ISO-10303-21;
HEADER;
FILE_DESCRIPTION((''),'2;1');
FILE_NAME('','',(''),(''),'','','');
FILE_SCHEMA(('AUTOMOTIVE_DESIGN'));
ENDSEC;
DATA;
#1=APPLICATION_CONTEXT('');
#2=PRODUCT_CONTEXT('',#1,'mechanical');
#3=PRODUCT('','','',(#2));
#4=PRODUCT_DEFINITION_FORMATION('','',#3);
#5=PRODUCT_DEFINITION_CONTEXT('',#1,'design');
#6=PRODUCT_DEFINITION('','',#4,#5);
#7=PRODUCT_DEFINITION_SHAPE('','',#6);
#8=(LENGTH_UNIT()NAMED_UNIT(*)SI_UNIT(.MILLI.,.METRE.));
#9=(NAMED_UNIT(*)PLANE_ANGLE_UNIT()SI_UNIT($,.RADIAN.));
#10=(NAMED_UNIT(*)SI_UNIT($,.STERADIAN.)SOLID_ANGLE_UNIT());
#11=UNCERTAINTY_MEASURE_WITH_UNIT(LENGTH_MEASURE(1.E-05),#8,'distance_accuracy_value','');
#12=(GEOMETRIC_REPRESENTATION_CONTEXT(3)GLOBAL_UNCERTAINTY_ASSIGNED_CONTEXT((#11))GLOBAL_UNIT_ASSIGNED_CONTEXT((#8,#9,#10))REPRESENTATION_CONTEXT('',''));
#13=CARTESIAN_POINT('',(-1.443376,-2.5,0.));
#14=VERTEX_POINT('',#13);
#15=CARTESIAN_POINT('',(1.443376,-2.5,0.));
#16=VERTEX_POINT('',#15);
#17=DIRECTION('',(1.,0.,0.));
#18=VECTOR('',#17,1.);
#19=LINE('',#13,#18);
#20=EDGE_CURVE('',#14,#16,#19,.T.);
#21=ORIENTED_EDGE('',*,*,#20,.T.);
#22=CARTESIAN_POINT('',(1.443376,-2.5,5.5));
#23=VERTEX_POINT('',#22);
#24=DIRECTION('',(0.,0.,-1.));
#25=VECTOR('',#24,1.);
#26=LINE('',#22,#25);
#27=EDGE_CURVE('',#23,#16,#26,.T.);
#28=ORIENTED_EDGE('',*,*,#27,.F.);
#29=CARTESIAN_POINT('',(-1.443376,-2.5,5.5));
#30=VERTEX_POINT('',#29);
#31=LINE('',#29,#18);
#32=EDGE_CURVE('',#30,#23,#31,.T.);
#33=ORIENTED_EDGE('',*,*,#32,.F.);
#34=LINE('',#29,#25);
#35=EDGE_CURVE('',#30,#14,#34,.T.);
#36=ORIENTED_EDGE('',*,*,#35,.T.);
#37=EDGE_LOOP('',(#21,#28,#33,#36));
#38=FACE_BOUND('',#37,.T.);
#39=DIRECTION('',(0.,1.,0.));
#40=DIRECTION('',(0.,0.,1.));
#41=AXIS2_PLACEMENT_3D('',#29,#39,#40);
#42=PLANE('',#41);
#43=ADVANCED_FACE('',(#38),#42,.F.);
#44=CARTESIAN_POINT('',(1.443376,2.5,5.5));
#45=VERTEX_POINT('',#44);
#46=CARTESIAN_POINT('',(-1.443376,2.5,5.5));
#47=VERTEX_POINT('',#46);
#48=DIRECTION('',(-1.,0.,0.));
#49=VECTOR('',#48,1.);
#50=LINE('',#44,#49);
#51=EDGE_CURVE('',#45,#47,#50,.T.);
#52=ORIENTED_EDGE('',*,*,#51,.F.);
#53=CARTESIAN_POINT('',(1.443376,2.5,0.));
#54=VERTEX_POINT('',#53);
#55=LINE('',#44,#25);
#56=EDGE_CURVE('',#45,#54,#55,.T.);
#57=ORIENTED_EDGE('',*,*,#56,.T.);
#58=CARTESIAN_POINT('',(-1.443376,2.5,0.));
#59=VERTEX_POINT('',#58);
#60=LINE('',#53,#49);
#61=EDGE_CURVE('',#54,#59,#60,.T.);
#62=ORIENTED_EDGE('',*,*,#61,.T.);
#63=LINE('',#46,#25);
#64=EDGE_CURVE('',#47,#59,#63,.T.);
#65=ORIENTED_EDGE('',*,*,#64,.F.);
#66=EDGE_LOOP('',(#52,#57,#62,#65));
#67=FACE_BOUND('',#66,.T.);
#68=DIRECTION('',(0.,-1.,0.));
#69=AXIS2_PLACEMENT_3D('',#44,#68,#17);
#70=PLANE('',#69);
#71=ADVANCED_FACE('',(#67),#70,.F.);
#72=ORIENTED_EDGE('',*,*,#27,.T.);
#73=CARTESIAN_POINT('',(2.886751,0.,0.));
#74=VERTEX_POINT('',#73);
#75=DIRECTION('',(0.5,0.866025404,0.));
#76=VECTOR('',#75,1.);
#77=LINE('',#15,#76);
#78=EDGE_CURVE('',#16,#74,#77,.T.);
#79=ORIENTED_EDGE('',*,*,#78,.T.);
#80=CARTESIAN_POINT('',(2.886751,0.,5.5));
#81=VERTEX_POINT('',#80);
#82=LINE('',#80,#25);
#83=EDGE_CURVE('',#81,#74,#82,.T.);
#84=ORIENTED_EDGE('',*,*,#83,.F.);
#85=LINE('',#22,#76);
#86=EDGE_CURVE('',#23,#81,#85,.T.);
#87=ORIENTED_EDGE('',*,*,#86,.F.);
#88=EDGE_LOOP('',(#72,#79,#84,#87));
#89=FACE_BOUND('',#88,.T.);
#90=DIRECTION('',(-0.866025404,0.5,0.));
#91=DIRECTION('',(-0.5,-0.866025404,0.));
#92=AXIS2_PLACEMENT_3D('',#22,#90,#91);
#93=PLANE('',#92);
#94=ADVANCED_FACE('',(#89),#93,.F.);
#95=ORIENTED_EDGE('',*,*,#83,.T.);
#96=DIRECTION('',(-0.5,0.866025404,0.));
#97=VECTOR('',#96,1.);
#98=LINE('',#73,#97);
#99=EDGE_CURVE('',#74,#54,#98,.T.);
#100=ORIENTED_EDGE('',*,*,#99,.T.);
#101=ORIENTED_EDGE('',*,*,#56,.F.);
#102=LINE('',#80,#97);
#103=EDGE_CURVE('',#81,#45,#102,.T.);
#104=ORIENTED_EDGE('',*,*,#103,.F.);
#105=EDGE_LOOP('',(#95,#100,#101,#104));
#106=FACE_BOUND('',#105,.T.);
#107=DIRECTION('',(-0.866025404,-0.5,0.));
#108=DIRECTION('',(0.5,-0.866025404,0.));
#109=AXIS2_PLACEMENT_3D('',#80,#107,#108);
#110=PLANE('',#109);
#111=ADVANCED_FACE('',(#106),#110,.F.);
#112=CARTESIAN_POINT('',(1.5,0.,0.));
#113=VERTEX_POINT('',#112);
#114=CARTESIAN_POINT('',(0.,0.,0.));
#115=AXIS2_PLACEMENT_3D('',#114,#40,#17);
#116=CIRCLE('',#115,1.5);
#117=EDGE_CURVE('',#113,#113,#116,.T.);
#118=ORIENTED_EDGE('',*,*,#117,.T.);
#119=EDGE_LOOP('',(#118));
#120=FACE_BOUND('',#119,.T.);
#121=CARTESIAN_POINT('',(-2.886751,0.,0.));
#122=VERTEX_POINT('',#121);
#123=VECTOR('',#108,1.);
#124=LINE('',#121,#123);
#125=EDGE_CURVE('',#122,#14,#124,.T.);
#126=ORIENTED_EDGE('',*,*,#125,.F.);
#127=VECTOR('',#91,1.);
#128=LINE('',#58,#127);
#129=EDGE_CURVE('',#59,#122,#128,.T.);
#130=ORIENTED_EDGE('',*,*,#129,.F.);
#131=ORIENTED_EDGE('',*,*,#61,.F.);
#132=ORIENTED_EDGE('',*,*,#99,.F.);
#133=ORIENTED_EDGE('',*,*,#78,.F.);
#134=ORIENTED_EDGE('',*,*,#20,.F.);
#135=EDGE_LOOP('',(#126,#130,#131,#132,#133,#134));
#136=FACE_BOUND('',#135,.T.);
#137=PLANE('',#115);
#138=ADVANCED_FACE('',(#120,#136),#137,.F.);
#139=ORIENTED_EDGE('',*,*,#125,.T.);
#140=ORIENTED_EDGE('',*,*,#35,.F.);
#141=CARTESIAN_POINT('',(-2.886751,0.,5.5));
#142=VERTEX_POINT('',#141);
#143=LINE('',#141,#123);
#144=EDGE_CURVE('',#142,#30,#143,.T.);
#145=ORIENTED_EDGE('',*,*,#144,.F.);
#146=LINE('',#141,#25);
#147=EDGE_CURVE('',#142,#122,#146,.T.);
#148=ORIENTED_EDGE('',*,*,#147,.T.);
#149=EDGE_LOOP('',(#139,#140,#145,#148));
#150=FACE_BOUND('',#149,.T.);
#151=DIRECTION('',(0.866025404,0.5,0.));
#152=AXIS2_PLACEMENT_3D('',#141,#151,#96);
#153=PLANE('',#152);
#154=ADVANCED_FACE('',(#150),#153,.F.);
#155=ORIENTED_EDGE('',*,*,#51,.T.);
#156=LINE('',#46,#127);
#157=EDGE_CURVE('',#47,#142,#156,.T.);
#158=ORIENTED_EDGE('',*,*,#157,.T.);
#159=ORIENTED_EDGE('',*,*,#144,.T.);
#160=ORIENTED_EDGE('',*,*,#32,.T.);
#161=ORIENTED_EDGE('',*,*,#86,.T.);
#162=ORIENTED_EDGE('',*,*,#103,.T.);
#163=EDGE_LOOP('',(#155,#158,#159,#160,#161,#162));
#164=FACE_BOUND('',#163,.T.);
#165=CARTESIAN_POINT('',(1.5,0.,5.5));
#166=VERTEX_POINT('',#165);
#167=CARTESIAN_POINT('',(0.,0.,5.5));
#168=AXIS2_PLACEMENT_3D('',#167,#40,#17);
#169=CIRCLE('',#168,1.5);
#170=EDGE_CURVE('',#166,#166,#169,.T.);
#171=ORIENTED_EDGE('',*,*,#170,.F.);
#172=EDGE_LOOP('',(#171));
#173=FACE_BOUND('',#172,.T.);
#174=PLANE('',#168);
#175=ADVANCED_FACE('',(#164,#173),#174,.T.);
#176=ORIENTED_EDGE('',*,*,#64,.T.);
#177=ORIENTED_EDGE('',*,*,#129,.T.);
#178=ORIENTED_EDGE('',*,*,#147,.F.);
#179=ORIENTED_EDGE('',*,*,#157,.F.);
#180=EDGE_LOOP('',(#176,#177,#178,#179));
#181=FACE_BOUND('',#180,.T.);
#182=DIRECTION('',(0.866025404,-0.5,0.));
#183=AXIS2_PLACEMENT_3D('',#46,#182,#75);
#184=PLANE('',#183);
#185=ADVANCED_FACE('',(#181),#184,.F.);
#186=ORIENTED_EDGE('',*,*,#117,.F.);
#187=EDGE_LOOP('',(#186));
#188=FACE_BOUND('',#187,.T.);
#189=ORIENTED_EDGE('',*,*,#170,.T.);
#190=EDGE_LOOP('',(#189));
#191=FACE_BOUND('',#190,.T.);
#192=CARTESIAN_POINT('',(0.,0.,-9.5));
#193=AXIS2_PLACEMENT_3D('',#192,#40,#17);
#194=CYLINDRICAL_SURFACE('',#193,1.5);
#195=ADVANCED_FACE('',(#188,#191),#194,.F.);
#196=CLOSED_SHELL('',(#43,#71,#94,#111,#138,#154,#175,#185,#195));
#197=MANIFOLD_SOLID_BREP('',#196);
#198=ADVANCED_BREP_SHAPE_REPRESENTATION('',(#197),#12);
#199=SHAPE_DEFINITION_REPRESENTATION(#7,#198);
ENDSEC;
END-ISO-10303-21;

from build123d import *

# Parameters (mm, degrees)
ESTRUSIONE_ESTRUSIONE1_DEPTH = 5.5
SCHIZZO2_R                   = 1.5
TAGLIO_ESTRUSIONE1_DEPTH     = 15


with BuildPart() as part:
    # Schizzo1 → Estrusione-Estrusione1 (new body)
    with BuildSketch(Plane.XY):
        Polygon((1.443375673, 2.5), (-1.443375673, 2.5), (-2.886751346, 0), (-1.443375673, -2.5), (1.443375673, -2.5), (2.886751346, 0), align=None)
    extrude(amount=ESTRUSIONE_ESTRUSIONE1_DEPTH)

    # Schizzo2 → Taglio-Estrusione1 (cut)
    with BuildSketch(Plane.XY.offset(5.5)):
        Circle(SCHIZZO2_R)
    extrude(amount=-TAGLIO_ESTRUSIONE1_DEPTH, mode=Mode.SUBTRACT)


solid = part.part
